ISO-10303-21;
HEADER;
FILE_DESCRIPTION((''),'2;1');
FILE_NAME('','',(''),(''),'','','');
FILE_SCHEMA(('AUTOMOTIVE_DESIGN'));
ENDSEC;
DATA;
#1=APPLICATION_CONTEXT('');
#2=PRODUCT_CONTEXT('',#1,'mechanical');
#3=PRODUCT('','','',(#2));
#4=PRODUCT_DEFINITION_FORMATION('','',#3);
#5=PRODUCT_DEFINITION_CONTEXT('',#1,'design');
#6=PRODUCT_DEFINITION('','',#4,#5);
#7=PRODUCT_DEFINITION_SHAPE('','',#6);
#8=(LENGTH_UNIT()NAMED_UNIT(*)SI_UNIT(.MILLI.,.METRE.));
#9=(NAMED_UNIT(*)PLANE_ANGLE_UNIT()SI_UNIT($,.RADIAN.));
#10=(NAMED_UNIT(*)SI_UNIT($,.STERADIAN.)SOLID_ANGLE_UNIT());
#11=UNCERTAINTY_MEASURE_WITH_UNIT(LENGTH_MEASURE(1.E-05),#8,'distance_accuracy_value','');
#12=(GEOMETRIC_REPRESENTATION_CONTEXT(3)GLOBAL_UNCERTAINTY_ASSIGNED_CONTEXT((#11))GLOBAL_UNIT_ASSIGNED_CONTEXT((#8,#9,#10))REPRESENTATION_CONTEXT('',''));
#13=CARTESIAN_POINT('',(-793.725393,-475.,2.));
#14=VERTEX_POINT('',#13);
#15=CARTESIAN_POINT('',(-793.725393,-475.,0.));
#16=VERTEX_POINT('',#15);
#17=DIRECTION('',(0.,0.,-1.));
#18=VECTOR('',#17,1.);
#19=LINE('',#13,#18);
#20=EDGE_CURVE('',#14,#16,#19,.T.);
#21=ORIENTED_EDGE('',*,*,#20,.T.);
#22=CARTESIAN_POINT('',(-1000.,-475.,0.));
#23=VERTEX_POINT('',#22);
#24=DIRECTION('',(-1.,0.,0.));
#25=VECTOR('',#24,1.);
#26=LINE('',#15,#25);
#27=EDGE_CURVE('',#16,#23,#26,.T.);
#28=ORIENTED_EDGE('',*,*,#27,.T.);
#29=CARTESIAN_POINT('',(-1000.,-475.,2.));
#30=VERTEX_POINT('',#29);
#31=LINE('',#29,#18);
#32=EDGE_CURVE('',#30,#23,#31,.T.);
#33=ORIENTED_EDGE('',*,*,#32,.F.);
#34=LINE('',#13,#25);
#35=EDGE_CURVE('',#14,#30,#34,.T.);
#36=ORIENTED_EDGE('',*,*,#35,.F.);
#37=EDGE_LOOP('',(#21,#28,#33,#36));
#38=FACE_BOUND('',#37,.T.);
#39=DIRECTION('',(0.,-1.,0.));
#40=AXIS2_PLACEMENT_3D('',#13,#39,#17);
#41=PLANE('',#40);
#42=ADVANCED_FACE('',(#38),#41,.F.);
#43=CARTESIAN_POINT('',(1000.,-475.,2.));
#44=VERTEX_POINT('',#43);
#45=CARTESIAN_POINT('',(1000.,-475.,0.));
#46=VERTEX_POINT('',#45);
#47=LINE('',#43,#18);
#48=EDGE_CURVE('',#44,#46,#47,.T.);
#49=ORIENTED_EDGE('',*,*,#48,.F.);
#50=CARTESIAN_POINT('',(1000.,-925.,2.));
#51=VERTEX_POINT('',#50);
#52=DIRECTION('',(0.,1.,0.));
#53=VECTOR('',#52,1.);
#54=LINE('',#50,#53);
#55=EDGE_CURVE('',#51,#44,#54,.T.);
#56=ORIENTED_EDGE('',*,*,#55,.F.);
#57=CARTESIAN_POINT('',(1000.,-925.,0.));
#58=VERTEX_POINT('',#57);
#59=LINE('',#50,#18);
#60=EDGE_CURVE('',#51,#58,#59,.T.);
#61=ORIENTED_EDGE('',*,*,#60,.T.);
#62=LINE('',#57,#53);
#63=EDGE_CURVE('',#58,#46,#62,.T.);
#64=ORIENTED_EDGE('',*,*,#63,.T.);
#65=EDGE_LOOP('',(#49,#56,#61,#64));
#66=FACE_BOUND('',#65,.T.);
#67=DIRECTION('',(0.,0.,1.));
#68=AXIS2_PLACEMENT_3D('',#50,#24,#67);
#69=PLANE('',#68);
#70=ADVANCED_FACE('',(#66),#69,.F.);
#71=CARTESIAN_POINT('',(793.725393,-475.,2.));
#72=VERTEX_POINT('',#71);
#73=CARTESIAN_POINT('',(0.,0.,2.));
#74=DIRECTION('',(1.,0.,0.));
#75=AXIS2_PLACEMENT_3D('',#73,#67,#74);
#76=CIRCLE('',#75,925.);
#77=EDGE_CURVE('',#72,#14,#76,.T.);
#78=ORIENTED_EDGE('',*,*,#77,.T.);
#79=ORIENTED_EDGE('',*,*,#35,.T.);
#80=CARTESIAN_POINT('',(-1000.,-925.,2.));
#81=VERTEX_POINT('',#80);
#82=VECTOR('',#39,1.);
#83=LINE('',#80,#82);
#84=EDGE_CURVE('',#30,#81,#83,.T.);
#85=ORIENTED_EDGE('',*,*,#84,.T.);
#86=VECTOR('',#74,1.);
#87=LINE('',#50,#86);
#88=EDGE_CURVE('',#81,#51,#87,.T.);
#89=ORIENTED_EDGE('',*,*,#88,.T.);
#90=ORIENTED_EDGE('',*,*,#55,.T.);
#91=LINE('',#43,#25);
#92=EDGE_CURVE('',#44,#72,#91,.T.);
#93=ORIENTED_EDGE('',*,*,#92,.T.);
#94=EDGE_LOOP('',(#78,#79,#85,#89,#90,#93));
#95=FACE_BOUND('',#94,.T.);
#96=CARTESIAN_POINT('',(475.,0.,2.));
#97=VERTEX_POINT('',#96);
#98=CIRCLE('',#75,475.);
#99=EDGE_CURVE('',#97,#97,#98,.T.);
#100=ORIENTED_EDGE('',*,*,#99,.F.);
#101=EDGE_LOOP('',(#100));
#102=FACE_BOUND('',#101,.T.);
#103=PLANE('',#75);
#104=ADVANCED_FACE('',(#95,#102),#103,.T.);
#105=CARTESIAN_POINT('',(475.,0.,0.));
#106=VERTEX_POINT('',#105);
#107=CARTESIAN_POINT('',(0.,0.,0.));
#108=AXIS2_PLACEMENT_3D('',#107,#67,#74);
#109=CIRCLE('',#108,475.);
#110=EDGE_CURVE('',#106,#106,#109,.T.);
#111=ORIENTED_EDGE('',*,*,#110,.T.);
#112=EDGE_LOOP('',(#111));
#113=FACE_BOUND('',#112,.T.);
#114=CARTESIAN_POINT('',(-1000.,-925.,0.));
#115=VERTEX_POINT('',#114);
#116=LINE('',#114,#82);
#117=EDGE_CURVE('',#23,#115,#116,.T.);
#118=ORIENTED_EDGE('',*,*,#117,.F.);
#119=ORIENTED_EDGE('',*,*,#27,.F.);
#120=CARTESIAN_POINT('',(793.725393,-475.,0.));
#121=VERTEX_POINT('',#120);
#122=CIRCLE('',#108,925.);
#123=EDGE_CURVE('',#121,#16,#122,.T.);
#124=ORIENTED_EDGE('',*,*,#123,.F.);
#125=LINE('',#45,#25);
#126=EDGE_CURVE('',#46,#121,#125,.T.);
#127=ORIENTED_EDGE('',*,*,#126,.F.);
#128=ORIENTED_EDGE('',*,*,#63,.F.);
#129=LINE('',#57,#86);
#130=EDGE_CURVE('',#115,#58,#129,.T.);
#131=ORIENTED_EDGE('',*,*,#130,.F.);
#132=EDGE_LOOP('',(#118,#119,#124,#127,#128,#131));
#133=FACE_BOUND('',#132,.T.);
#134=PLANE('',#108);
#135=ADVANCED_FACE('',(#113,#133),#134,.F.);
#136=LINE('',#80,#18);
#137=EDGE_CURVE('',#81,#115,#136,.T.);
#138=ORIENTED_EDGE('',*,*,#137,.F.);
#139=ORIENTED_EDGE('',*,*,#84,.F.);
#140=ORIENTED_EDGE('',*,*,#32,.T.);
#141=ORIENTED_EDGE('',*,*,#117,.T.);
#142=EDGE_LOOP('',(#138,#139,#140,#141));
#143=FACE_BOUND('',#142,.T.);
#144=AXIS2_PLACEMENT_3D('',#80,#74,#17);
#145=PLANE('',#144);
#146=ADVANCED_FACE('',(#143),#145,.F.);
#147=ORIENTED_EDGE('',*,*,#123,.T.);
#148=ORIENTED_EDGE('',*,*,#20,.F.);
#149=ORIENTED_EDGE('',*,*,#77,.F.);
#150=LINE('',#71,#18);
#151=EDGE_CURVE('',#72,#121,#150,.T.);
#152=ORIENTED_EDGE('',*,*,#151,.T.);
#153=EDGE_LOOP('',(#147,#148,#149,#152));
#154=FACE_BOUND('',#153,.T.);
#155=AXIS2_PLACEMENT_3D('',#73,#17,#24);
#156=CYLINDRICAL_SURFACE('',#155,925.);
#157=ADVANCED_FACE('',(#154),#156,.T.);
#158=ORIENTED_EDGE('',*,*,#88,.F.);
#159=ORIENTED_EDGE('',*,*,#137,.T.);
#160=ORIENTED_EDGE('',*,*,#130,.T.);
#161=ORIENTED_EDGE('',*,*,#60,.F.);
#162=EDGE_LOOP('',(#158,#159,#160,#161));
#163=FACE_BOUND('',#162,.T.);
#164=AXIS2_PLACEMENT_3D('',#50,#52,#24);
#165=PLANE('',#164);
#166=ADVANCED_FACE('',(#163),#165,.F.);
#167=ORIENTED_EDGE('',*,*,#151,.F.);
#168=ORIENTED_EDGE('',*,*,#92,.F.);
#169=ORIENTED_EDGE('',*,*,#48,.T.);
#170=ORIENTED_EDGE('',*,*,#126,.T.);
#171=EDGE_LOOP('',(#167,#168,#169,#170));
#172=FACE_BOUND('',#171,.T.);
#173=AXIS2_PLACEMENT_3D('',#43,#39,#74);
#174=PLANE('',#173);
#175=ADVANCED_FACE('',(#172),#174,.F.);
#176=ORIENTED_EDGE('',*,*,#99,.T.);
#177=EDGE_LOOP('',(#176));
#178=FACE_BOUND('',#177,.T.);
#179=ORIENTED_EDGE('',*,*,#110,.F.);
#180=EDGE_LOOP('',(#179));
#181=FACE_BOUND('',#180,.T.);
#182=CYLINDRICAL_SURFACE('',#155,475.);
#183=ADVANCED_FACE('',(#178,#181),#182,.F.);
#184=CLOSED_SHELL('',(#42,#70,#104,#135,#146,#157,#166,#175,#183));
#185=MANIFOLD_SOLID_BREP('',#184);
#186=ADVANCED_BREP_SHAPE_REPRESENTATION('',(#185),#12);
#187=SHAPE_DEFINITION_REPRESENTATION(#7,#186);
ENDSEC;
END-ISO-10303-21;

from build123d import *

# Parameters (mm, degrees)
SKETCH_1_R      = 475
EXTRUDE_1_DEPTH = 2


with BuildPart() as part:
    # 草图1 → 凸台-拉伸1 (new body)
    with BuildSketch(Plane.XY):
        with BuildLine():
            Line((1000, -925), (-1000, -925))
            Line((-1000, -925), (-1000, -475))
            Line((-1000, -475), (-793.725393319, -475))
            ThreePointArc((-793.725393319, -475), (0, 925), (793.725393319, -475))
            Line((793.725393319, -475), (1000, -475))
            Line((1000, -475), (1000, -925))
        make_face()
        Circle(SKETCH_1_R, mode=Mode.SUBTRACT)
    extrude(amount=EXTRUDE_1_DEPTH)


solid = part.part
